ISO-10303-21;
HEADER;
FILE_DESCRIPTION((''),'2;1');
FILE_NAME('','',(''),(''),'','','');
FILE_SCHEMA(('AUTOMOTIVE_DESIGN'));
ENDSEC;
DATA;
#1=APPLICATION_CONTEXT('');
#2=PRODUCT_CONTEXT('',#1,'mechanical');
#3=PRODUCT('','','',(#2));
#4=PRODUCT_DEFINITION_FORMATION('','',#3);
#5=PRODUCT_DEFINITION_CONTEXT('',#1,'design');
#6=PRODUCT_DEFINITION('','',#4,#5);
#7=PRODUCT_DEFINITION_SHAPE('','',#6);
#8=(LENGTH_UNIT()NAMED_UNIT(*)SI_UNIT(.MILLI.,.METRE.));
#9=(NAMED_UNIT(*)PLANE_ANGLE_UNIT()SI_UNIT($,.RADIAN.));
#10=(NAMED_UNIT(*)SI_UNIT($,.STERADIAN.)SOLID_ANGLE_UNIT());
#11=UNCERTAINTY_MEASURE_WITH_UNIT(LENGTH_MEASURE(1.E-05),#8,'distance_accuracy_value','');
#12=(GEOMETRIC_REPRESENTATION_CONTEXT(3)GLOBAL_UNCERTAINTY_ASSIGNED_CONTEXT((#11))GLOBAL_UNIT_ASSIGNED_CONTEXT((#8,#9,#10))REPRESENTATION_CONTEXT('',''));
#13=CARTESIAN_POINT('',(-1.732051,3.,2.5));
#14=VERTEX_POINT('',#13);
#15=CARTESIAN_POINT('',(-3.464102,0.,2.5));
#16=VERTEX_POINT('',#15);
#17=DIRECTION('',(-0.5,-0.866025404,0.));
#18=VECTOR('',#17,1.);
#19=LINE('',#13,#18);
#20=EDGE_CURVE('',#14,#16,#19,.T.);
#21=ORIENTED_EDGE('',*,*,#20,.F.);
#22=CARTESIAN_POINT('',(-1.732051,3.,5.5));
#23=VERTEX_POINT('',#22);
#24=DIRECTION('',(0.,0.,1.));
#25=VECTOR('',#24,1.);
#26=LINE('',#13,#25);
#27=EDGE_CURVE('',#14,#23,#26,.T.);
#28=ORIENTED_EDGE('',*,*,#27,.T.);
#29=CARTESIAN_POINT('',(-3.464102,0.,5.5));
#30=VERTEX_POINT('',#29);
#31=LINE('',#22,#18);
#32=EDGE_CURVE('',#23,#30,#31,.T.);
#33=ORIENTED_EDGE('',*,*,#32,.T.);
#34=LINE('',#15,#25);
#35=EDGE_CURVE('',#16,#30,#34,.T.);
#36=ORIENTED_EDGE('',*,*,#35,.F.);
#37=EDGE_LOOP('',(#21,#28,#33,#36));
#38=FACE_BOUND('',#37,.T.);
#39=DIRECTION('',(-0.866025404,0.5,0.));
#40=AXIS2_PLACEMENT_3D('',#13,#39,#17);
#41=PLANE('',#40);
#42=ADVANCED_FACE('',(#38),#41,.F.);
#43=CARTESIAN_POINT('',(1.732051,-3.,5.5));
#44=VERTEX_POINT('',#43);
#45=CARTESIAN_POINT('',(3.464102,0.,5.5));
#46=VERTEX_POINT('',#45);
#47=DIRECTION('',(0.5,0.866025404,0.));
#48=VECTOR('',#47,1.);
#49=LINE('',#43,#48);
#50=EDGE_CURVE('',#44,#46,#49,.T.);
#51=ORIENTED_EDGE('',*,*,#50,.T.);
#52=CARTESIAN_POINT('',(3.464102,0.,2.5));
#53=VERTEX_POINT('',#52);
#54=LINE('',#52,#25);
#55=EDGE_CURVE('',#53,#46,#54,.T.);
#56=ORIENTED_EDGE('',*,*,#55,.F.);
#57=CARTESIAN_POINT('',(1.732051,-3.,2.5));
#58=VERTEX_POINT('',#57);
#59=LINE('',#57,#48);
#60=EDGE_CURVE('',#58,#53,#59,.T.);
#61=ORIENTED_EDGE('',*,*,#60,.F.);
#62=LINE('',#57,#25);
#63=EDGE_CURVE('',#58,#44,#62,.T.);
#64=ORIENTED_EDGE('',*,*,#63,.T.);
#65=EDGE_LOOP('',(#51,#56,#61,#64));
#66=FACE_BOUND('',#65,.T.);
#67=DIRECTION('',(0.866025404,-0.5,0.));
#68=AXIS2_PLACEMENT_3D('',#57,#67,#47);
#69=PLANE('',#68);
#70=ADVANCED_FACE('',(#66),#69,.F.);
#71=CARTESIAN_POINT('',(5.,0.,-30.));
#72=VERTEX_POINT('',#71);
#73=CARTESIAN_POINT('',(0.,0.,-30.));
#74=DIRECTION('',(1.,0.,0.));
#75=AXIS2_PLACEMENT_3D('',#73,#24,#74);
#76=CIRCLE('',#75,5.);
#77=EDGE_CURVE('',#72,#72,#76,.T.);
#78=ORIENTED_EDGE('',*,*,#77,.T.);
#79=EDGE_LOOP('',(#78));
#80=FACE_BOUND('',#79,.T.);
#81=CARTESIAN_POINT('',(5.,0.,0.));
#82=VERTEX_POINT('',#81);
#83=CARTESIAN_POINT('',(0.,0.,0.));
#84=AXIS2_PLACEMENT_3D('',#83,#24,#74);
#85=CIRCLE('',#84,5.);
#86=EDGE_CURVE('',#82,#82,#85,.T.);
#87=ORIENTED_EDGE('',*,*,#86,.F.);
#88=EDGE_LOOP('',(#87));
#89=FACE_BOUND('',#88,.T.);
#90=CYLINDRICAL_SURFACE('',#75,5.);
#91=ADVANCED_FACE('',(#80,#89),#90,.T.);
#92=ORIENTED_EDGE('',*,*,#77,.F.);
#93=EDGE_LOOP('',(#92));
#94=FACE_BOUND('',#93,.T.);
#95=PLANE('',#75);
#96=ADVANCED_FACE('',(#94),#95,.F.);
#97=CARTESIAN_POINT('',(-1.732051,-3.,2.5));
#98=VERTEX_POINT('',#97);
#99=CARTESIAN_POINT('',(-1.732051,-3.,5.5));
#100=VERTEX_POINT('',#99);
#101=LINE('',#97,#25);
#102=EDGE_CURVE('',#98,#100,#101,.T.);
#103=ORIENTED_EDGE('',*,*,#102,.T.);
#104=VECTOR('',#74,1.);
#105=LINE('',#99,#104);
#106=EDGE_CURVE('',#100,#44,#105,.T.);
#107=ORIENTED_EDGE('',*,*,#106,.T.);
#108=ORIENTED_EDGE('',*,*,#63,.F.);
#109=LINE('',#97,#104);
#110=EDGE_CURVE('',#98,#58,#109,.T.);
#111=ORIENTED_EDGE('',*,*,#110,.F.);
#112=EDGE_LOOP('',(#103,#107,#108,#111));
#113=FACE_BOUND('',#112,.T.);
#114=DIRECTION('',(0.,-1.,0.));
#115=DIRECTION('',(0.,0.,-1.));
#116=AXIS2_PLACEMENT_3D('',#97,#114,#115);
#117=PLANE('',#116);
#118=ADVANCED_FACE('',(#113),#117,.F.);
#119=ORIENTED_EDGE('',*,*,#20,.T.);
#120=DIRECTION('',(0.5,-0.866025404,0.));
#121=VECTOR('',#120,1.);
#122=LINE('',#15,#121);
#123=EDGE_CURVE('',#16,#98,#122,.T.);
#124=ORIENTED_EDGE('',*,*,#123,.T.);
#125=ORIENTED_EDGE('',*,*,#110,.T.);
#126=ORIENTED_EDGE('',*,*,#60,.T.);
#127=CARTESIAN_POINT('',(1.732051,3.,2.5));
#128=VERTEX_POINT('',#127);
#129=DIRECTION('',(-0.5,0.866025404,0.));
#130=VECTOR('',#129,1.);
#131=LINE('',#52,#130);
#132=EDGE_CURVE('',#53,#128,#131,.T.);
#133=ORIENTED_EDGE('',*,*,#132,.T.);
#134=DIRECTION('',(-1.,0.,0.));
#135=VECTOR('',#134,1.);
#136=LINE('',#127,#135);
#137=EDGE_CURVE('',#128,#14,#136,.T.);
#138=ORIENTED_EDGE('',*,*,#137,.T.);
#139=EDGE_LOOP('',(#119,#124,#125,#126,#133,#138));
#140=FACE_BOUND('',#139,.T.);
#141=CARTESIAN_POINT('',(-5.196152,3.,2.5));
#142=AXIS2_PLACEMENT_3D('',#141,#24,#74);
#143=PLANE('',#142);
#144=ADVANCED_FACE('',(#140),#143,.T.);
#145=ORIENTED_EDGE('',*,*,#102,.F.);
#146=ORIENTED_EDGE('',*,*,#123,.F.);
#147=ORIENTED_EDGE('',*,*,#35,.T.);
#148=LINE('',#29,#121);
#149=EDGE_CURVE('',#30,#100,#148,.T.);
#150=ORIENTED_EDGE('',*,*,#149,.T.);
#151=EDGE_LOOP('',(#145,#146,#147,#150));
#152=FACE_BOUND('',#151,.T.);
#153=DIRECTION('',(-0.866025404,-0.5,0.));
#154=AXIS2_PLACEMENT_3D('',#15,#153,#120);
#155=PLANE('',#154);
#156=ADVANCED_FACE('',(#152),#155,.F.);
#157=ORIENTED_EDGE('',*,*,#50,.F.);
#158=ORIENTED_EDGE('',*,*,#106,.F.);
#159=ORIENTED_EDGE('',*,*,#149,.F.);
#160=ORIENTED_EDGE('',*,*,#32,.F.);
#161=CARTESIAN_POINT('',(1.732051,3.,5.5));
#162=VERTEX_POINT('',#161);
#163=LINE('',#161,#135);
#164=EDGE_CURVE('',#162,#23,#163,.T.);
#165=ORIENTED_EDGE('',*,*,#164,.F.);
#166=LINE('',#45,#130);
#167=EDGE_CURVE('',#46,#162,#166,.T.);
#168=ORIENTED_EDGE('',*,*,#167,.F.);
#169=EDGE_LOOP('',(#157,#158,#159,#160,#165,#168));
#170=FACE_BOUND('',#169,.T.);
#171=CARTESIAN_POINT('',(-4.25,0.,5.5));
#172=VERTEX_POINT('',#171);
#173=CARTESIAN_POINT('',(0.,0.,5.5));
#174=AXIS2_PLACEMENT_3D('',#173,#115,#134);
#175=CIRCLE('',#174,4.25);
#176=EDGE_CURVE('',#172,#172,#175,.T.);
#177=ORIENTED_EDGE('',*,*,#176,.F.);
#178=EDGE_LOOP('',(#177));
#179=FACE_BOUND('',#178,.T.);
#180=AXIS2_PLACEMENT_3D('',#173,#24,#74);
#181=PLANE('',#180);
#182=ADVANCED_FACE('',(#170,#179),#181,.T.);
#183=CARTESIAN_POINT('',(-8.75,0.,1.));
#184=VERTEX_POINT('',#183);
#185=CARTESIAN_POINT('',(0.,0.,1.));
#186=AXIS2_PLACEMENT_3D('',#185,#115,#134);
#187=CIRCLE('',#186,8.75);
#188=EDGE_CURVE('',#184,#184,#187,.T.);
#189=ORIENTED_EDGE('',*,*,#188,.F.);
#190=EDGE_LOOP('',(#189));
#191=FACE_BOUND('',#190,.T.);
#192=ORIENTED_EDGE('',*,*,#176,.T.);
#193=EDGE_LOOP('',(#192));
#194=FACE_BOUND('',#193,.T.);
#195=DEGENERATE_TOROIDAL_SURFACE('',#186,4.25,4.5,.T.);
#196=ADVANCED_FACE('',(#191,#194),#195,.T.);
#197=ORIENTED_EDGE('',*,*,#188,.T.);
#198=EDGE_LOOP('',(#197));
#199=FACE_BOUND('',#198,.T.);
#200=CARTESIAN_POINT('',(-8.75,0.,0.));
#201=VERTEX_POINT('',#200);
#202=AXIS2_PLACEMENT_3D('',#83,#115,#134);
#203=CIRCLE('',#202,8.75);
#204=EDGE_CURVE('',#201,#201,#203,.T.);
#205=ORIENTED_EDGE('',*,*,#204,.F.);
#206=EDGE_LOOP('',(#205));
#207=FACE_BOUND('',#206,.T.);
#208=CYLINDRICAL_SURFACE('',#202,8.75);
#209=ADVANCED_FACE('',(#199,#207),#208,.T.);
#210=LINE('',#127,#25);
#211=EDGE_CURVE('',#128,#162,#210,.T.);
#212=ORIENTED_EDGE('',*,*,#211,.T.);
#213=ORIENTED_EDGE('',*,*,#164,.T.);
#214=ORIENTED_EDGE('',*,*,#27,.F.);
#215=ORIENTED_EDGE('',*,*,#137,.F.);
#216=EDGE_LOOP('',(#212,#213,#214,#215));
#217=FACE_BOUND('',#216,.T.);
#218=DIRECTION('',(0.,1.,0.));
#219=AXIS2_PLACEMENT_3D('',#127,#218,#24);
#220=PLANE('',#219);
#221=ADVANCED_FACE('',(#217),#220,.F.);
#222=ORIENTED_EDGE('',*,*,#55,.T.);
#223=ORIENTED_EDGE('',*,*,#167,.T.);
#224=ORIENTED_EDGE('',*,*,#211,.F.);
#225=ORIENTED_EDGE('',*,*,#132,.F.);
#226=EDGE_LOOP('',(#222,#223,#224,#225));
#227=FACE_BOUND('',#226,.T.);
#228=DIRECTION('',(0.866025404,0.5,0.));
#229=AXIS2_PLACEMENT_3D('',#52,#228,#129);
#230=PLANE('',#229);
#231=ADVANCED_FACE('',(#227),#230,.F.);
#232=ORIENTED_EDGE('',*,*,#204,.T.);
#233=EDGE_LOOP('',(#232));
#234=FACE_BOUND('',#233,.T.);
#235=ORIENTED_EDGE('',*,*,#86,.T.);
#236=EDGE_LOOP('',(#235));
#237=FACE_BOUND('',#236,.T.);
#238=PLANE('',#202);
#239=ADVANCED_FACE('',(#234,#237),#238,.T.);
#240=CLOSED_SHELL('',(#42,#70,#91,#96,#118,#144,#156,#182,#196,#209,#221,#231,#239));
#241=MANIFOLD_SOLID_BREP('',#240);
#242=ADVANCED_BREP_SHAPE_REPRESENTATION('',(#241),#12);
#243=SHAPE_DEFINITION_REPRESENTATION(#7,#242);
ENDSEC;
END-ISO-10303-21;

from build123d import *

# Parameters (mm, degrees)
SKETCH1_R          = 5
EXTRUDE1_DEPTH     = 30
CUT_EXTRUDE1_DEPTH = 3


with BuildPart() as part:
    # Sketch1 → Extrude1 (new body)
    with BuildSketch(Plane.XY):
        Circle(SKETCH1_R)
    extrude(amount=-EXTRUDE1_DEPTH)

    # Sketch2 → Revolve1 (revolve)
    with BuildSketch(Plane(origin=(0, 0, 0), x_dir=(0, 0, -1), z_dir=(1, 0, 0)), mode=Mode.PRIVATE) as revolve1_sk:
        with BuildLine():
            Line((0, 0), (0, 8.75))
            Line((0, 8.75), (-1, 8.75))
            ThreePointArc((-1, 8.75), (-4.181980515, 7.431980515), (-5.5, 4.25))
            Line((-5.5, 4.25), (-5.5, 0))
            Line((-5.5, 0), (0, 0))
        make_face()
    revolve(revolve1_sk.sketch.rotate(Axis((0, 0, 0), (0, 0, 1)), 90), axis=Axis((0, 0, 0), (0, 0, 1)))

    # Sketch3 → Cut-Extrude1 (cut)
    with BuildSketch(Plane.XY.offset(5.5)):
        Polygon((-1.732050808, 3), (-3.464101615, 0), (-1.732050808, -3), (1.732050808, -3), (3.464101615, 0), (1.732050808, 3), align=None)
    extrude(amount=-CUT_EXTRUDE1_DEPTH, mode=Mode.SUBTRACT)


solid = part.part
